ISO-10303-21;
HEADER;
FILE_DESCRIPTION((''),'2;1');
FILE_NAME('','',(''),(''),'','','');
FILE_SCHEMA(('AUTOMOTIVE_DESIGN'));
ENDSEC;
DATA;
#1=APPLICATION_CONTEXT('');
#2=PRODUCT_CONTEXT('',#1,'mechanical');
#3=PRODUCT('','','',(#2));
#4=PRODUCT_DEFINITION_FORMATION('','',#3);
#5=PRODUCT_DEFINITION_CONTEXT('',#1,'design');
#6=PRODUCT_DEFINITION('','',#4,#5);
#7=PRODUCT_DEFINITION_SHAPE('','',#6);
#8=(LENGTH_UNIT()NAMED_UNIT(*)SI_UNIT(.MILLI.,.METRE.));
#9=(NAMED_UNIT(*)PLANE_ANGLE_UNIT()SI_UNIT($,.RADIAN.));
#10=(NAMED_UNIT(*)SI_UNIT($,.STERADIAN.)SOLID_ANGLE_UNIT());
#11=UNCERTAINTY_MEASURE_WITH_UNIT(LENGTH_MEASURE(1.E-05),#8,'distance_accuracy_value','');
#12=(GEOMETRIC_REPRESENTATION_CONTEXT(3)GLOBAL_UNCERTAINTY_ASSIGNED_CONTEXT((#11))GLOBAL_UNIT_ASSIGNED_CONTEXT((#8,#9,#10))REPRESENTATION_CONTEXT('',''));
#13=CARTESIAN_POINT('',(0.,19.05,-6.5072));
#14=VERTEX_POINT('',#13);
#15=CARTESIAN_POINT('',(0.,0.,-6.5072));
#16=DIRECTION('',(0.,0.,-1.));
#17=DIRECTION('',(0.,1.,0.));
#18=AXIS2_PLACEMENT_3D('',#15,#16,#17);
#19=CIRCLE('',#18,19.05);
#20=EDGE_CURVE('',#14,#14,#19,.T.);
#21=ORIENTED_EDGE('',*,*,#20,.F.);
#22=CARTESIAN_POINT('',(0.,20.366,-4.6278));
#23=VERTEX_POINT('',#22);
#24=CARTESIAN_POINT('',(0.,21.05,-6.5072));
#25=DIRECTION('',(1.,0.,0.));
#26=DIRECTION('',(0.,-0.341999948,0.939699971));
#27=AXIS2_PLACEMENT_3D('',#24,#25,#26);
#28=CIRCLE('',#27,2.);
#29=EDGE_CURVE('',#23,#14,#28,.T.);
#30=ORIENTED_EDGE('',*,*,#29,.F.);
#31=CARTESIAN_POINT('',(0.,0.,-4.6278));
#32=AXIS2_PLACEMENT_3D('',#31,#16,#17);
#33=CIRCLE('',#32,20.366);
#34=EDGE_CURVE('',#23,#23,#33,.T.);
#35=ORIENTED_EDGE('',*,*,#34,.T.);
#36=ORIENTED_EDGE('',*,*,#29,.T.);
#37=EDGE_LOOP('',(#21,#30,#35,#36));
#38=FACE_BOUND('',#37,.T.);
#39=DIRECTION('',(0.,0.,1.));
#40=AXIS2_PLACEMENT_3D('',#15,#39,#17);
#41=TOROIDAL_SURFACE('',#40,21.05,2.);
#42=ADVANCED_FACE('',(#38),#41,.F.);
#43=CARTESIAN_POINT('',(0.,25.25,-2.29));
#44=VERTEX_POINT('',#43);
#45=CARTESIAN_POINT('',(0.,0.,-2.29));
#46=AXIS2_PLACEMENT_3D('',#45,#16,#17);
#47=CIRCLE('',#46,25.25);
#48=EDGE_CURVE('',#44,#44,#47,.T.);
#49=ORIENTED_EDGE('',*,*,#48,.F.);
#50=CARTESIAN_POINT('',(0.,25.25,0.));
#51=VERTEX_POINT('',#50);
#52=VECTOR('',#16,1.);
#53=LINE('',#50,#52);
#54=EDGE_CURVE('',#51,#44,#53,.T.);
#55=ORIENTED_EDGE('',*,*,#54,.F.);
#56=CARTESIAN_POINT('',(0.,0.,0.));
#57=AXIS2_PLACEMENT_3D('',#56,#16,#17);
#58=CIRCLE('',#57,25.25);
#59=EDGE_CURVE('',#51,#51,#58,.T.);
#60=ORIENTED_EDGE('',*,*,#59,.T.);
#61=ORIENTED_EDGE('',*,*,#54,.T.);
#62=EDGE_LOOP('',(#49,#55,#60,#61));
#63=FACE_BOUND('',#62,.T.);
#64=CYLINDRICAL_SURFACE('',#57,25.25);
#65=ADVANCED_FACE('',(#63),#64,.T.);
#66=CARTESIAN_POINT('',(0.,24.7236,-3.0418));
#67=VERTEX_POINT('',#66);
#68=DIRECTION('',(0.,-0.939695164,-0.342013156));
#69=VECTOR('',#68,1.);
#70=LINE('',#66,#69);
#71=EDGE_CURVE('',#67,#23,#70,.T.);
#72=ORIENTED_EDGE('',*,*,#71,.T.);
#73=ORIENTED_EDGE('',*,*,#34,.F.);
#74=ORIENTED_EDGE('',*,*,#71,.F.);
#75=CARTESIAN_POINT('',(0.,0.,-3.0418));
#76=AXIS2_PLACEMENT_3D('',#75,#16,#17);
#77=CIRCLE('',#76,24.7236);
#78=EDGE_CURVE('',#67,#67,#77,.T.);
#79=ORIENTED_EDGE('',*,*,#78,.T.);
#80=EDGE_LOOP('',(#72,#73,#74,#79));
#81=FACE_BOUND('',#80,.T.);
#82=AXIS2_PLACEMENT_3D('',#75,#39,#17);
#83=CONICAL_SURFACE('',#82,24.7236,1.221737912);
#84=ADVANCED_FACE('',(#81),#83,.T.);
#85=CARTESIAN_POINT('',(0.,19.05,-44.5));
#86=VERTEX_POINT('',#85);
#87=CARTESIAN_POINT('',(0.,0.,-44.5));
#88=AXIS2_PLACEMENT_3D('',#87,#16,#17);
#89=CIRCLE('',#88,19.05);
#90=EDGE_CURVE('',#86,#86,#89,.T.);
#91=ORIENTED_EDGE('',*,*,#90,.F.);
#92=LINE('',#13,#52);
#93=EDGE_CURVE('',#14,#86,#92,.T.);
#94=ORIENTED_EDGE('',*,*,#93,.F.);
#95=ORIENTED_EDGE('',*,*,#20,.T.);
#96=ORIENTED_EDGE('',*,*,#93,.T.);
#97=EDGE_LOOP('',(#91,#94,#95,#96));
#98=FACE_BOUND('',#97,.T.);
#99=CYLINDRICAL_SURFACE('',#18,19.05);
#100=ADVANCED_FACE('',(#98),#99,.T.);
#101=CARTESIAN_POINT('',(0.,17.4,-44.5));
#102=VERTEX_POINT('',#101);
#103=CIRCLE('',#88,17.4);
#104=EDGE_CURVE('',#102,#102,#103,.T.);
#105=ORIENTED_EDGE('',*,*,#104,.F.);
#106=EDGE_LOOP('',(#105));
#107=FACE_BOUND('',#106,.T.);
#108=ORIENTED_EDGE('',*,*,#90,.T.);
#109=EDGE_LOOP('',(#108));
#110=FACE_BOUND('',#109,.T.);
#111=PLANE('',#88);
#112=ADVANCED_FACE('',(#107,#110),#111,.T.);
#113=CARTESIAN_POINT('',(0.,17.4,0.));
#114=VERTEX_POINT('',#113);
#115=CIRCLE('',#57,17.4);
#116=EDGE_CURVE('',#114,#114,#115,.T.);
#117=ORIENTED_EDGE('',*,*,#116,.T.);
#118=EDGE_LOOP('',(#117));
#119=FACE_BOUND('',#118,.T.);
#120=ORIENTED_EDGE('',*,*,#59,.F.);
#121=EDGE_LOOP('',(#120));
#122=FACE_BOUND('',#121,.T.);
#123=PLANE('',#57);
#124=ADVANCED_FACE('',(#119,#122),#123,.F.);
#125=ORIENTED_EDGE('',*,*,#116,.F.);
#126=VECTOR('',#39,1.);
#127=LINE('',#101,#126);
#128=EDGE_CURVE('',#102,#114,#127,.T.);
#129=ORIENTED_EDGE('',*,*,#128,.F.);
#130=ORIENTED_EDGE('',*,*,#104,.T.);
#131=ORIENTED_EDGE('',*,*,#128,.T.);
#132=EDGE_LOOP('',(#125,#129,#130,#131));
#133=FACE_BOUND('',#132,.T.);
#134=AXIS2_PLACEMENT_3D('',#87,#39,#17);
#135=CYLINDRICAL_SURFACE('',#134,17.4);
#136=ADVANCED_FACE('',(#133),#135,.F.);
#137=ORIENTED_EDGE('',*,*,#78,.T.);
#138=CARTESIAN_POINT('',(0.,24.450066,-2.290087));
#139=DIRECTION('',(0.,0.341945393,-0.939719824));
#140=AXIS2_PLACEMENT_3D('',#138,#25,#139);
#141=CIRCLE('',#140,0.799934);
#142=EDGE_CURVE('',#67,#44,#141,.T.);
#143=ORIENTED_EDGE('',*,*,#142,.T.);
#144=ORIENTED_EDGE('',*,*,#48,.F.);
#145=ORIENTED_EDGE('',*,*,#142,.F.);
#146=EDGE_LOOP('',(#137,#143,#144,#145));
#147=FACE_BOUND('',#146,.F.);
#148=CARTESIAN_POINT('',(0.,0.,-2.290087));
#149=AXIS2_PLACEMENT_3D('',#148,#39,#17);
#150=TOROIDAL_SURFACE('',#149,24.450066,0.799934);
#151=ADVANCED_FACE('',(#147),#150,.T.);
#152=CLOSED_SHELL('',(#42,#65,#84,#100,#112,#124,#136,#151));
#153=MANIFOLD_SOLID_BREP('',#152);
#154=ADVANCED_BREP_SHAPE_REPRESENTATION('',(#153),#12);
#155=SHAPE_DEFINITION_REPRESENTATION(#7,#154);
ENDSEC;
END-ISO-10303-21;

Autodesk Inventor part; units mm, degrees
ref_plane "YZ Plane" through (0, 0, 0) normal (1, 0, 0) x (0, 1, 0)
ref_plane "XZ Plane" through (0, 0, 0) normal (0, 1, 0) x (-1, 0, 0)
ref_plane "XY Plane" through (0, 0, 0) normal (0, 0, 1) x (1, 0, 0)
sketch "Sketch2" plane through (0, 0, 0) normal (1, 0, 0) x (0, 1, 0)
  line L0 (0, 0) -> (0, -44.5)
  line L1 (17.4, -44.5) -> (17.4, 0)
  line L2 (17.4, 0) -> (25.25, 0)
  line L3 (25.25, 0) -> (25.25, -2.29)
  line L4 (24.7236, -3.0418) -> (20.366, -4.6278)
  line L5 (19.05, -6.5072) -> (19.05, -44.5)
  line L6 (19.05, -44.5) -> (17.4, -44.5)
  arc A0 (24.7236, -3.0418) -> (25.25, -2.29) centre (24.45, -2.29) ccw
  arc A1 (20.366, -4.6278) -> (19.05, -6.5072) centre (21.05, -6.5072) ccw
  dimension "OD" = 38.1
  dimension "THW" = 1.65
  dimension "L" = 44.5
  dimension "d3" = 50.5
  dimension "d4" = 0.8
  dimension "d5" = 2.29
  dimension "d6" = 2
  dimension "d7" = 20
revolve "Revolution1" add sketch "Sketch2" angle 360 about axis through (0, 0, 0) along (0, 0, -1)
properties part number "Ferrule-38.1" material "Stainless Steel, 316L"
